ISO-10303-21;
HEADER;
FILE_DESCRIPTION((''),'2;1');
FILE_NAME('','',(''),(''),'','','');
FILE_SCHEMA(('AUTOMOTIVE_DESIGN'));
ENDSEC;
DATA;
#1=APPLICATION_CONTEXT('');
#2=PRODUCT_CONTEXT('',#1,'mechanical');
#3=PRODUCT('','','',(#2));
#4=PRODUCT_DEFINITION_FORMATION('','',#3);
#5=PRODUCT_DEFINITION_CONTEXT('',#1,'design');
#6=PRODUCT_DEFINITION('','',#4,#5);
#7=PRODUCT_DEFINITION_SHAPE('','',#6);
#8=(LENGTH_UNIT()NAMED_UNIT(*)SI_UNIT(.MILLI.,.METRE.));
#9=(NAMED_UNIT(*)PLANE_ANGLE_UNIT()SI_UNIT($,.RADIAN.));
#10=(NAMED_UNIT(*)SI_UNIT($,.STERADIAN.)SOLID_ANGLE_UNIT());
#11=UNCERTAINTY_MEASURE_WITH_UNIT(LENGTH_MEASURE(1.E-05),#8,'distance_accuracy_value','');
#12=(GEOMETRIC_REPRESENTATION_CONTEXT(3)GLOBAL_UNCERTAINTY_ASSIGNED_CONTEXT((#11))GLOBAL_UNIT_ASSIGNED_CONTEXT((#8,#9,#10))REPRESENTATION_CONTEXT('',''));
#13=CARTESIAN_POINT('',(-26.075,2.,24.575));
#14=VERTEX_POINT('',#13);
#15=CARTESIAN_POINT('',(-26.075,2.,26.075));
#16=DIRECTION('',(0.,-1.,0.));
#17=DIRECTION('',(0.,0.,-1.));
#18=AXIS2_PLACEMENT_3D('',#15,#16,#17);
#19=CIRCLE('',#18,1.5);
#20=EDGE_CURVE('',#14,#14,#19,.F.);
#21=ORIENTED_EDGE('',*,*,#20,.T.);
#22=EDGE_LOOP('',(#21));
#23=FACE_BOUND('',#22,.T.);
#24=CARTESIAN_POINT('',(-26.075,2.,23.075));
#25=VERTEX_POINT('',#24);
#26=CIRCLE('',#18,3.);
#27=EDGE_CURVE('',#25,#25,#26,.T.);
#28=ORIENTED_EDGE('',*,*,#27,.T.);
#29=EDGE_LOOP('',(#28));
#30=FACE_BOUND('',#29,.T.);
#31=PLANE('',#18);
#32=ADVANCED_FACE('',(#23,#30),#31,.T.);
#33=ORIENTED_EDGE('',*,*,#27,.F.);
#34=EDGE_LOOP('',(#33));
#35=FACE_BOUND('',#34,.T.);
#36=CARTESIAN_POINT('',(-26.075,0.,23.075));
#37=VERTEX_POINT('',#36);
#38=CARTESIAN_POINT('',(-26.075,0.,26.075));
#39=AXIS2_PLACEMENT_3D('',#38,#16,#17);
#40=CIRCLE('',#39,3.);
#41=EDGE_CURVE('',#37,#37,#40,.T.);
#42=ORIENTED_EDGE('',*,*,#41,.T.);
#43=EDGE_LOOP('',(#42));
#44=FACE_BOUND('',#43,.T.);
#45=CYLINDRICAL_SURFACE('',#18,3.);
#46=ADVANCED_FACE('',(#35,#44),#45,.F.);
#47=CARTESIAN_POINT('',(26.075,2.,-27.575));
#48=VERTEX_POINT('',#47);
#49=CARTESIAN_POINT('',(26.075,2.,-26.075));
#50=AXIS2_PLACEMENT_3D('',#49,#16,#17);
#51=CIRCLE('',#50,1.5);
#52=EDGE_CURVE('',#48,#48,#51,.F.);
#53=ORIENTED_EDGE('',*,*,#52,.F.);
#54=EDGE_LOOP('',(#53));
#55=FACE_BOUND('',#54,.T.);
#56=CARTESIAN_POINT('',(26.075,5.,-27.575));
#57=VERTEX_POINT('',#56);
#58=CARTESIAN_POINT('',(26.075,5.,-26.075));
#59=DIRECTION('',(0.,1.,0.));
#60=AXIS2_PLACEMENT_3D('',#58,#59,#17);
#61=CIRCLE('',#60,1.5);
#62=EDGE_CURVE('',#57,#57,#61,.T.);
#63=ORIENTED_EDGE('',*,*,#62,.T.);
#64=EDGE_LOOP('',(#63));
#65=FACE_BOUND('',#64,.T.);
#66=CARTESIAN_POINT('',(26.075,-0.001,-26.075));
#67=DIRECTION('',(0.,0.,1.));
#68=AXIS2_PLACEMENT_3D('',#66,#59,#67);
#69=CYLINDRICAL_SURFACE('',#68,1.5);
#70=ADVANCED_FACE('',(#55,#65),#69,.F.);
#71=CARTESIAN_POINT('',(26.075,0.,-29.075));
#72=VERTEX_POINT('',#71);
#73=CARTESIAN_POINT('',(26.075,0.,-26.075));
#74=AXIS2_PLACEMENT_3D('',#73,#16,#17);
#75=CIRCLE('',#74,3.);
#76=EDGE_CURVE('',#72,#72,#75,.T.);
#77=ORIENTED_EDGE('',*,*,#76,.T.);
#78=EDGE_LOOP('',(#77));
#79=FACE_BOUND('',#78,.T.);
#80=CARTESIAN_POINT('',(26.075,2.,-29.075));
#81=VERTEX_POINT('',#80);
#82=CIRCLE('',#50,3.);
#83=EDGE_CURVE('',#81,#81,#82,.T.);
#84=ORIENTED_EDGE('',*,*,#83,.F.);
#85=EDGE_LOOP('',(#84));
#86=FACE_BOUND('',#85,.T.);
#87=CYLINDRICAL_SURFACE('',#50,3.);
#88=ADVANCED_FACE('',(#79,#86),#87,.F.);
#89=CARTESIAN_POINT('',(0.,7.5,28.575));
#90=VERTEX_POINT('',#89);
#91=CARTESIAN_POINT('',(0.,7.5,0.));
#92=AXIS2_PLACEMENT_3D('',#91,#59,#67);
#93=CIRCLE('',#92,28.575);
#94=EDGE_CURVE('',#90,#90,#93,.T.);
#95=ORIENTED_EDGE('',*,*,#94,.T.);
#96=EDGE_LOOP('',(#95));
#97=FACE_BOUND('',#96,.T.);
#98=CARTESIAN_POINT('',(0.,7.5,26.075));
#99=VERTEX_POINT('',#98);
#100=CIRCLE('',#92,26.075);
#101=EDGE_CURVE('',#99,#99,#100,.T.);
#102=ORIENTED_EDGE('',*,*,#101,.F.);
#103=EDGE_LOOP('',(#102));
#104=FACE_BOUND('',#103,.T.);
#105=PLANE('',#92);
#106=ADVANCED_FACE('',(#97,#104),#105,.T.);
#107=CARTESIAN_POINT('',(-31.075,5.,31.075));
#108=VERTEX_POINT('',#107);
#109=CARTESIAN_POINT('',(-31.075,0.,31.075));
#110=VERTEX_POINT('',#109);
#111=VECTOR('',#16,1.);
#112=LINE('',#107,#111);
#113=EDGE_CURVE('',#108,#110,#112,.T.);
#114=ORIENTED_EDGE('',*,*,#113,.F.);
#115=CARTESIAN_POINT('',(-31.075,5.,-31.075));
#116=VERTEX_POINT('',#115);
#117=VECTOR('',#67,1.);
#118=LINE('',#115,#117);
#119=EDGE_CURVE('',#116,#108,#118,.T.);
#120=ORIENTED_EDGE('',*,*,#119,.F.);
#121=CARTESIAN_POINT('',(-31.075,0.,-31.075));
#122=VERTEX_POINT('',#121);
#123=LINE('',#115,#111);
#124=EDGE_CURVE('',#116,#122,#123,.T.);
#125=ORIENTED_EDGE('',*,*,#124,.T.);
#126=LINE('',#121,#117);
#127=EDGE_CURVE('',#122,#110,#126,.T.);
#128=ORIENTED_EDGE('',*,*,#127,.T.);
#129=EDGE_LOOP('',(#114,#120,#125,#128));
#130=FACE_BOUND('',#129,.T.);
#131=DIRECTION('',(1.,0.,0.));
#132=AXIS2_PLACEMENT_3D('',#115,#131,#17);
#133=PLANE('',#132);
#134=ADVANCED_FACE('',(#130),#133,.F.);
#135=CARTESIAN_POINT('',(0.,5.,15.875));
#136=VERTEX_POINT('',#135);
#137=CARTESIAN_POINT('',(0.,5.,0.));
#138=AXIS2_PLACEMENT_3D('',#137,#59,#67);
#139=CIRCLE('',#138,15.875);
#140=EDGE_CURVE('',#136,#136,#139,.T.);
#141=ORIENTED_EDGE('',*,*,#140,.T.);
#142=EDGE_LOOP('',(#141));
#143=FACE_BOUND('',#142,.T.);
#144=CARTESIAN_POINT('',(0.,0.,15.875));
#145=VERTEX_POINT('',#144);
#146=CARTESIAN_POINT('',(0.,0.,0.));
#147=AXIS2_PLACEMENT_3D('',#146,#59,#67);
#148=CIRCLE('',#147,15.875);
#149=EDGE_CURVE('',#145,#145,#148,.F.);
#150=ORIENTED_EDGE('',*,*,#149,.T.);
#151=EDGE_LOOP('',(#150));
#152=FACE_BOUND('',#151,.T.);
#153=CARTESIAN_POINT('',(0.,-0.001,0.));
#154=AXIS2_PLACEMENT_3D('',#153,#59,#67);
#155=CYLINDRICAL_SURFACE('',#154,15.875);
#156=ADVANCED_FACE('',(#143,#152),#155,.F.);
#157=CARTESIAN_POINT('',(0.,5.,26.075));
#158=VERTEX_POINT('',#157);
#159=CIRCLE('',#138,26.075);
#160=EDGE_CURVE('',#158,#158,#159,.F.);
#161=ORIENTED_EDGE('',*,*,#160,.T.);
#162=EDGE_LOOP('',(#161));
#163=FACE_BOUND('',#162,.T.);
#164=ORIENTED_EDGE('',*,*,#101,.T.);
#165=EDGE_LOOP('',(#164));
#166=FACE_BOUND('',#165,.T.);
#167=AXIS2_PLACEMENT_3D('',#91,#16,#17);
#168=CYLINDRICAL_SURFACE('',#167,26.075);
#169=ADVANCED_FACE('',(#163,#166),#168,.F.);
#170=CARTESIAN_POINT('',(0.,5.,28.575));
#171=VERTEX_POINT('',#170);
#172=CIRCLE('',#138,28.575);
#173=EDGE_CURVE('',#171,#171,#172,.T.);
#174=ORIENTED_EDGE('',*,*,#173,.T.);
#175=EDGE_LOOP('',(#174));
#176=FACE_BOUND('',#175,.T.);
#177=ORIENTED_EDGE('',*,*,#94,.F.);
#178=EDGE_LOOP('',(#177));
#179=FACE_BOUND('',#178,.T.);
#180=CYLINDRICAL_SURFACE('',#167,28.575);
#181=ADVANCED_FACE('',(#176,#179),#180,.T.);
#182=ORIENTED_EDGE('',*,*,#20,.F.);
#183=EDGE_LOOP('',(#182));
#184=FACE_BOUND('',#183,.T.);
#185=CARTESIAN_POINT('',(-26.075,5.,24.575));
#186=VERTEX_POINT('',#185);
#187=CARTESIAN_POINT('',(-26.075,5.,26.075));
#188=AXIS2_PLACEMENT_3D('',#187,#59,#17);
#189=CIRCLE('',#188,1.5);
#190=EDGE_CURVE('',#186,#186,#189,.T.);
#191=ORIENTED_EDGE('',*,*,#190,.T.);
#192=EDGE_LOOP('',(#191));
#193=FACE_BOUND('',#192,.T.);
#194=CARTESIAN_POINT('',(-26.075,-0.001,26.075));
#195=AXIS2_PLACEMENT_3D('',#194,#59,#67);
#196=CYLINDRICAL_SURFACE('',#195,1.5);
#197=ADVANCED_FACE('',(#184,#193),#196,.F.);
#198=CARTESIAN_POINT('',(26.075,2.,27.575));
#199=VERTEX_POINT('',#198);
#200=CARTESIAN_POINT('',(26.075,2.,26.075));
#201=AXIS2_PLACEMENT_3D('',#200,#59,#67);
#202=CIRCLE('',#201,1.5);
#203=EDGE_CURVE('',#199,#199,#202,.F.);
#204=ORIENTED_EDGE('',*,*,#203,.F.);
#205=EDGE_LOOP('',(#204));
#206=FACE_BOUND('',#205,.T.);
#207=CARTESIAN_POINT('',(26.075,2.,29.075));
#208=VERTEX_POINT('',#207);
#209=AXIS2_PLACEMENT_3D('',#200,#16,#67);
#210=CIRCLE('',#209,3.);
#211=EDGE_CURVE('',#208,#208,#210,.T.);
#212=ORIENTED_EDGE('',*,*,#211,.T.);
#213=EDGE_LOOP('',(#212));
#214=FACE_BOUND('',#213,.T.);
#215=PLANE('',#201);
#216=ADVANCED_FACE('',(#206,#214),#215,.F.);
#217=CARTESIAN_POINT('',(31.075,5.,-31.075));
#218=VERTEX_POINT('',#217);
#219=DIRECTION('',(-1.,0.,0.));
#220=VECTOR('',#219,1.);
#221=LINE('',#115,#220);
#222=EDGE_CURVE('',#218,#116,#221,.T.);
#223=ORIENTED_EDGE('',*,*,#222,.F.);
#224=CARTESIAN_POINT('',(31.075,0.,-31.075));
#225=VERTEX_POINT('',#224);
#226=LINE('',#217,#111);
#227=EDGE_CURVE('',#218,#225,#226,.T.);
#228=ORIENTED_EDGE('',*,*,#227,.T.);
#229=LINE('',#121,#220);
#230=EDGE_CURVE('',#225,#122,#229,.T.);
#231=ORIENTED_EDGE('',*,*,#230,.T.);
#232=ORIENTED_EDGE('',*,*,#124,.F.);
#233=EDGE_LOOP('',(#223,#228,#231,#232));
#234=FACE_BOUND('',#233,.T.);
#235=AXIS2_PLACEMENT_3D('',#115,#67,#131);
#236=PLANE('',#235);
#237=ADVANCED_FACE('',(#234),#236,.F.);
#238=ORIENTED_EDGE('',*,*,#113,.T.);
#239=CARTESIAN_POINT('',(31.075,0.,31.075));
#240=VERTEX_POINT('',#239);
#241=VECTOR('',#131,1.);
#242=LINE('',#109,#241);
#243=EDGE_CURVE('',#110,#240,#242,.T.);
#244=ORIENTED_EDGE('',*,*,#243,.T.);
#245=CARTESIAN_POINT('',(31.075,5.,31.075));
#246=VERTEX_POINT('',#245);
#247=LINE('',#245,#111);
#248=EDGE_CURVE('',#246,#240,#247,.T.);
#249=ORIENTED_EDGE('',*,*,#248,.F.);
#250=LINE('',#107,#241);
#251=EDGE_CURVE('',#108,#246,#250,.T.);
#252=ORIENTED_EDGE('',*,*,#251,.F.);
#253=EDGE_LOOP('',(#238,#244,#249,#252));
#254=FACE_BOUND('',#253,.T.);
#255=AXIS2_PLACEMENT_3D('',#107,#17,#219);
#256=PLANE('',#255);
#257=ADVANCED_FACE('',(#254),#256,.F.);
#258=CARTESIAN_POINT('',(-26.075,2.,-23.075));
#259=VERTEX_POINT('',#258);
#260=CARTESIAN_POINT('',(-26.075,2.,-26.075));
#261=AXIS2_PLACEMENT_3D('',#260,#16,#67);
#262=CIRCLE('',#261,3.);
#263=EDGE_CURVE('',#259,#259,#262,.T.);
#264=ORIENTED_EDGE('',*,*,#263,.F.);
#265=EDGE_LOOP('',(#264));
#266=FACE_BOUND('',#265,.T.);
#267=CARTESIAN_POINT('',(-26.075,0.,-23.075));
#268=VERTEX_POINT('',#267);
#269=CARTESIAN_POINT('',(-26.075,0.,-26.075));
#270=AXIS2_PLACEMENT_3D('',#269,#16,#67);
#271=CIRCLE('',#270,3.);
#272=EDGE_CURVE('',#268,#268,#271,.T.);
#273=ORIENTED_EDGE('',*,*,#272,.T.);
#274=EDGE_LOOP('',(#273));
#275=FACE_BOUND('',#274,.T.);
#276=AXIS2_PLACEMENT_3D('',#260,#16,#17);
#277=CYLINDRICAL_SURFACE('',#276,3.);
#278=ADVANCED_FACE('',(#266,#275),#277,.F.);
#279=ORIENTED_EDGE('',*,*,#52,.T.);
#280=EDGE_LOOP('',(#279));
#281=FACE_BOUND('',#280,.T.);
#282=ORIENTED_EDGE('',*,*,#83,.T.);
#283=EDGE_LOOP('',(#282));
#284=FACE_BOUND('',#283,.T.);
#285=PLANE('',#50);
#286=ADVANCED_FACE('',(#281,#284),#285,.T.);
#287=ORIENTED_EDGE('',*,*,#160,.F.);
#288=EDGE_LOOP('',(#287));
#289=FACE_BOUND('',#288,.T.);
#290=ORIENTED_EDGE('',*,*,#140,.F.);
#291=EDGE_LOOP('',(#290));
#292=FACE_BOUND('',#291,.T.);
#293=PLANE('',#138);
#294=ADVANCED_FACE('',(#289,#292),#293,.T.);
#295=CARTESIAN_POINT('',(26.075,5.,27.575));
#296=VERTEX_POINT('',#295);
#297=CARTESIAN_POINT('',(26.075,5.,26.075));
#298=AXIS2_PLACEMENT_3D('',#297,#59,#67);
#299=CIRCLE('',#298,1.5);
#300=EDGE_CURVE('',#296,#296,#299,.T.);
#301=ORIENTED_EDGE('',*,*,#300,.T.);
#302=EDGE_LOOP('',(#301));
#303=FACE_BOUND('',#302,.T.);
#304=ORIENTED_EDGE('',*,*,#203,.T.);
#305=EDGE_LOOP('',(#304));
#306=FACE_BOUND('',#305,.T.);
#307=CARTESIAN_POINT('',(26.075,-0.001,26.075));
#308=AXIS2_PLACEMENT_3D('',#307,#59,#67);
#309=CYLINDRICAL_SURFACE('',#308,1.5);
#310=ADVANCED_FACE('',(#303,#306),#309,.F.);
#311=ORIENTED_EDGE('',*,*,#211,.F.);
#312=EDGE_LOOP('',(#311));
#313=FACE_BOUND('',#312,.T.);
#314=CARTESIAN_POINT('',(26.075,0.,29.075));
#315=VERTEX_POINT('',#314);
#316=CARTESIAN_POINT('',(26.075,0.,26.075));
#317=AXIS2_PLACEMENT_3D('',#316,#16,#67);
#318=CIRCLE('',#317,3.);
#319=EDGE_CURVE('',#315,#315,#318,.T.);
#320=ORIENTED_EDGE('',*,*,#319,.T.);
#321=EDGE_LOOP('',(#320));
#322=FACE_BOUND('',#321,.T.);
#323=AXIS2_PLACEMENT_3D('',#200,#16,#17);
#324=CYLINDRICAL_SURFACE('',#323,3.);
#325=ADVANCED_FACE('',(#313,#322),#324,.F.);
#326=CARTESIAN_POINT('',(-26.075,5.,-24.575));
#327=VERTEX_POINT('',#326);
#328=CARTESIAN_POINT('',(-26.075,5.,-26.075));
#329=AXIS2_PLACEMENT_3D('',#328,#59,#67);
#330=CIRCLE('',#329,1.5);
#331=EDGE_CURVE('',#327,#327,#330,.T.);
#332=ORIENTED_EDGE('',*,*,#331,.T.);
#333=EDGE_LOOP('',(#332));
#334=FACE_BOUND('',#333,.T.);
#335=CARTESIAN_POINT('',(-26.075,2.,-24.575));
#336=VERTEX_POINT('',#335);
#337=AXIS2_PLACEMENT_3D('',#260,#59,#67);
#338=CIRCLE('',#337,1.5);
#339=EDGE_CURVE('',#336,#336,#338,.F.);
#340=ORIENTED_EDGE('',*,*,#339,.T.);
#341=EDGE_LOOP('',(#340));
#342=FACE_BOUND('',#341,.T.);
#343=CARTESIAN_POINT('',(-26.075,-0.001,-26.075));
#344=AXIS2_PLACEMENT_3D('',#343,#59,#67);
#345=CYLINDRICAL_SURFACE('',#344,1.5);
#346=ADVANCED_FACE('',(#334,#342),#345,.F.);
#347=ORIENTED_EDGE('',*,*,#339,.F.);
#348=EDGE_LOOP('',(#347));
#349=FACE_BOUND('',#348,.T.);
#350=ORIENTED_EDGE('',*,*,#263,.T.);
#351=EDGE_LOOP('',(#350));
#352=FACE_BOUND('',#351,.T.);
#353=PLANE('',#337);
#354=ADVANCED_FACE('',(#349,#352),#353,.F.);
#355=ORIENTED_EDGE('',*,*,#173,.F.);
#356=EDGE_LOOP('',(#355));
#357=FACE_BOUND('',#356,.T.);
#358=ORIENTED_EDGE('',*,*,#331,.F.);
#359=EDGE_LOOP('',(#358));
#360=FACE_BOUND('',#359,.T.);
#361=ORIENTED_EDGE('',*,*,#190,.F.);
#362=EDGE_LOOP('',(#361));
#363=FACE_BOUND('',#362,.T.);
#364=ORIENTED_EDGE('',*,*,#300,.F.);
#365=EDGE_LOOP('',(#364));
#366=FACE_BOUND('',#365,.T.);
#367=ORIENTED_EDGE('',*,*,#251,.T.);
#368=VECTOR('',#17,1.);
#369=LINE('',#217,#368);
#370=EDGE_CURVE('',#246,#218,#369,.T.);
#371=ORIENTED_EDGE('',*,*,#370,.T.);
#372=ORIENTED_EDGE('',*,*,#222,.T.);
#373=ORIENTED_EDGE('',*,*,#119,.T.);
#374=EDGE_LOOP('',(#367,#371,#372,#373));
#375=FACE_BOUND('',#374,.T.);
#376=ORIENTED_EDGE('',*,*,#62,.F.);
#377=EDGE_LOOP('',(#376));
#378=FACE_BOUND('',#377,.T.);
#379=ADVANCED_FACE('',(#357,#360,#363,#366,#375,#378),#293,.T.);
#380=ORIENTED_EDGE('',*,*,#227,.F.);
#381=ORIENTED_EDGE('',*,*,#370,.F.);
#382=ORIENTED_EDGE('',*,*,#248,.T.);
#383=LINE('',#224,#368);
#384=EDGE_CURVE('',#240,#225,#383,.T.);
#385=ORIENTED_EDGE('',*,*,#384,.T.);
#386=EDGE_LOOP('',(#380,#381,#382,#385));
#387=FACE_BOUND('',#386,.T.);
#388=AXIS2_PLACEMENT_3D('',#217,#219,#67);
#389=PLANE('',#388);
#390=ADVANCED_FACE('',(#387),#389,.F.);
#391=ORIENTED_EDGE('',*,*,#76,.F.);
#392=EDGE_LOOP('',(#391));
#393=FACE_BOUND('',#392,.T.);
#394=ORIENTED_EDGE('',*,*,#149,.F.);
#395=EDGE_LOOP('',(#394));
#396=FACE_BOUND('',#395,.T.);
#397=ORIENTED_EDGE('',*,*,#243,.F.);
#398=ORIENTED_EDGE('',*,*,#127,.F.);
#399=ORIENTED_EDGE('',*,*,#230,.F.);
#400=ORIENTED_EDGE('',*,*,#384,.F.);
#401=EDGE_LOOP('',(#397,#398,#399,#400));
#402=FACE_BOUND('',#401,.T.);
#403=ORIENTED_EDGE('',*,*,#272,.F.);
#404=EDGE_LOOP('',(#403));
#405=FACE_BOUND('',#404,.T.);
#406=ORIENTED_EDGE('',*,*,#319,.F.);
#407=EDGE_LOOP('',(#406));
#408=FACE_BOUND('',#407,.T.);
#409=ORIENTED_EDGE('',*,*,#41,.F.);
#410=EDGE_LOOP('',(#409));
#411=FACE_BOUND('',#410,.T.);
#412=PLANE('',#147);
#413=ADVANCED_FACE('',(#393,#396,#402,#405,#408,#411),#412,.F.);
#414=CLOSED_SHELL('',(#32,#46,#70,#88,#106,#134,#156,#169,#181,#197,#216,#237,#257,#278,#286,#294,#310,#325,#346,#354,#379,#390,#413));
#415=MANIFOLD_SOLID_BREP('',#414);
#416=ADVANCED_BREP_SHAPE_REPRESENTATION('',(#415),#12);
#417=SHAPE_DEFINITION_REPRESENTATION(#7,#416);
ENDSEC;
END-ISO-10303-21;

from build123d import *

# Parameters (mm, degrees)
SKETCH1_W           = 62.15
SKETCH1_H           = 62.15
BOSS_EXTRUDE1_DEPTH = 5
CUT_EXTRUDE1_REACH  = 46.23
SKETCH2_R           = 1.5
SKETCH3_R           = 28.575
SKETCH3_R_2         = 26.075
BOSS_EXTRUDE2_DEPTH = 2.5
CUT_EXTRUDE2_REACH  = 46.23
SKETCH4_R           = 15.875
SKETCH5_R           = 3
CUT_EXTRUDE3_DEPTH  = 2


with BuildPart() as part:
    # Sketch1 → Boss-Extrude1 (new body)
    with BuildSketch(Plane(origin=(0, 0, 0), x_dir=(1, 0, 0), z_dir=(0, 1, 0))):
        Rectangle(SKETCH1_W, SKETCH1_H)
    extrude(amount=BOSS_EXTRUDE1_DEPTH)

    # Sketch2 → Cut-Extrude1 (cut, up to next)
    with BuildSketch(Plane(origin=(0, 5, 0), x_dir=(1, 0, 0), z_dir=(0, 1, 0)), mode=Mode.PRIVATE) as cut_extrude1_sk1:
        with Locations(Location((-26.075, 26.075, 0), (0, 0, 270))):
            Circle(SKETCH2_R)
    cut_extrude1_tool1 = extrude(cut_extrude1_sk1.sketch, amount=-CUT_EXTRUDE1_REACH, mode=Mode.PRIVATE) & part.part
    # Sketch2 → Cut-Extrude1 (cut, up to next)
    with BuildSketch(Plane(origin=(0, 5, 0), x_dir=(1, 0, 0), z_dir=(0, 1, 0)), mode=Mode.PRIVATE) as cut_extrude1_sk2:
        with Locations(Location((-26.075, -26.075, 0), (0, 0, 270))):
            Circle(SKETCH2_R)
    cut_extrude1_tool2 = extrude(cut_extrude1_sk2.sketch, amount=-CUT_EXTRUDE1_REACH, mode=Mode.PRIVATE) & part.part
    # Sketch2 → Cut-Extrude1 (cut, up to next)
    with BuildSketch(Plane(origin=(0, 5, 0), x_dir=(1, 0, 0), z_dir=(0, 1, 0)), mode=Mode.PRIVATE) as cut_extrude1_sk3:
        with Locations(Location((26.075, -26.075, 0), (0, 0, 270))):
            Circle(SKETCH2_R)
    cut_extrude1_tool3 = extrude(cut_extrude1_sk3.sketch, amount=-CUT_EXTRUDE1_REACH, mode=Mode.PRIVATE) & part.part
    # Sketch2 → Cut-Extrude1 (cut, up to next)
    with BuildSketch(Plane(origin=(0, 5, 0), x_dir=(1, 0, 0), z_dir=(0, 1, 0)), mode=Mode.PRIVATE) as cut_extrude1_sk4:
        with Locations(Location((26.075, 26.075, 0), (0, 0, 270))):
            Circle(SKETCH2_R)
    cut_extrude1_tool4 = extrude(cut_extrude1_sk4.sketch, amount=-CUT_EXTRUDE1_REACH, mode=Mode.PRIVATE) & part.part
    add(cut_extrude1_tool1.solids().sort_by_distance((-26.075, 5, -26.075))[0], mode=Mode.SUBTRACT)
    add(cut_extrude1_tool2.solids().sort_by_distance((-26.075, 5, 26.075))[0], mode=Mode.SUBTRACT)
    add(cut_extrude1_tool3.solids().sort_by_distance((26.075, 5, 26.075))[0], mode=Mode.SUBTRACT)
    add(cut_extrude1_tool4.solids().sort_by_distance((26.075, 5, -26.075))[0], mode=Mode.SUBTRACT)

    # Sketch3 → Boss-Extrude2 (add)
    with BuildSketch(Plane(origin=(0, 5, 0), x_dir=(1, 0, 0), z_dir=(0, 1, 0))):
        with Locations(Location((0, 0, 0), (0, 0, 270))):
            Circle(SKETCH3_R)
        with Locations(Location((0, 0, 0), (0, 0, 270))):
            Circle(SKETCH3_R_2, mode=Mode.SUBTRACT)
    extrude(amount=BOSS_EXTRUDE2_DEPTH)

    # Sketch4 → Cut-Extrude2 (cut, up to next)
    with BuildSketch(Plane(origin=(0, 5, 0), x_dir=(1, 0, 0), z_dir=(0, 1, 0)), mode=Mode.PRIVATE) as cut_extrude2_sk1:
        with Locations(Location((0, 0, 0), (0, 0, 270))):
            Circle(SKETCH4_R)
    cut_extrude2_tool1 = extrude(cut_extrude2_sk1.sketch, amount=-CUT_EXTRUDE2_REACH, mode=Mode.PRIVATE) & part.part
    add(cut_extrude2_tool1.solids().sort_by_distance((0, 5, 0))[0], mode=Mode.SUBTRACT)

    # Sketch5 → Cut-Extrude3 (cut)
    with BuildSketch(Plane.XZ):
        with Locations(Location((-26.075, 26.075, 0), (0, 0, 270))):
            Circle(SKETCH5_R)
        with Locations(Location((-26.075, -26.075, 0), (0, 0, 90))):
            Circle(SKETCH5_R)
        with Locations(Location((26.075, -26.075, 0), (0, 0, 270))):
            Circle(SKETCH5_R)
        with Locations(Location((26.075, 26.075, 0), (0, 0, 90))):
            Circle(SKETCH5_R)
    extrude(amount=-CUT_EXTRUDE3_DEPTH, mode=Mode.SUBTRACT)


solid = part.part
